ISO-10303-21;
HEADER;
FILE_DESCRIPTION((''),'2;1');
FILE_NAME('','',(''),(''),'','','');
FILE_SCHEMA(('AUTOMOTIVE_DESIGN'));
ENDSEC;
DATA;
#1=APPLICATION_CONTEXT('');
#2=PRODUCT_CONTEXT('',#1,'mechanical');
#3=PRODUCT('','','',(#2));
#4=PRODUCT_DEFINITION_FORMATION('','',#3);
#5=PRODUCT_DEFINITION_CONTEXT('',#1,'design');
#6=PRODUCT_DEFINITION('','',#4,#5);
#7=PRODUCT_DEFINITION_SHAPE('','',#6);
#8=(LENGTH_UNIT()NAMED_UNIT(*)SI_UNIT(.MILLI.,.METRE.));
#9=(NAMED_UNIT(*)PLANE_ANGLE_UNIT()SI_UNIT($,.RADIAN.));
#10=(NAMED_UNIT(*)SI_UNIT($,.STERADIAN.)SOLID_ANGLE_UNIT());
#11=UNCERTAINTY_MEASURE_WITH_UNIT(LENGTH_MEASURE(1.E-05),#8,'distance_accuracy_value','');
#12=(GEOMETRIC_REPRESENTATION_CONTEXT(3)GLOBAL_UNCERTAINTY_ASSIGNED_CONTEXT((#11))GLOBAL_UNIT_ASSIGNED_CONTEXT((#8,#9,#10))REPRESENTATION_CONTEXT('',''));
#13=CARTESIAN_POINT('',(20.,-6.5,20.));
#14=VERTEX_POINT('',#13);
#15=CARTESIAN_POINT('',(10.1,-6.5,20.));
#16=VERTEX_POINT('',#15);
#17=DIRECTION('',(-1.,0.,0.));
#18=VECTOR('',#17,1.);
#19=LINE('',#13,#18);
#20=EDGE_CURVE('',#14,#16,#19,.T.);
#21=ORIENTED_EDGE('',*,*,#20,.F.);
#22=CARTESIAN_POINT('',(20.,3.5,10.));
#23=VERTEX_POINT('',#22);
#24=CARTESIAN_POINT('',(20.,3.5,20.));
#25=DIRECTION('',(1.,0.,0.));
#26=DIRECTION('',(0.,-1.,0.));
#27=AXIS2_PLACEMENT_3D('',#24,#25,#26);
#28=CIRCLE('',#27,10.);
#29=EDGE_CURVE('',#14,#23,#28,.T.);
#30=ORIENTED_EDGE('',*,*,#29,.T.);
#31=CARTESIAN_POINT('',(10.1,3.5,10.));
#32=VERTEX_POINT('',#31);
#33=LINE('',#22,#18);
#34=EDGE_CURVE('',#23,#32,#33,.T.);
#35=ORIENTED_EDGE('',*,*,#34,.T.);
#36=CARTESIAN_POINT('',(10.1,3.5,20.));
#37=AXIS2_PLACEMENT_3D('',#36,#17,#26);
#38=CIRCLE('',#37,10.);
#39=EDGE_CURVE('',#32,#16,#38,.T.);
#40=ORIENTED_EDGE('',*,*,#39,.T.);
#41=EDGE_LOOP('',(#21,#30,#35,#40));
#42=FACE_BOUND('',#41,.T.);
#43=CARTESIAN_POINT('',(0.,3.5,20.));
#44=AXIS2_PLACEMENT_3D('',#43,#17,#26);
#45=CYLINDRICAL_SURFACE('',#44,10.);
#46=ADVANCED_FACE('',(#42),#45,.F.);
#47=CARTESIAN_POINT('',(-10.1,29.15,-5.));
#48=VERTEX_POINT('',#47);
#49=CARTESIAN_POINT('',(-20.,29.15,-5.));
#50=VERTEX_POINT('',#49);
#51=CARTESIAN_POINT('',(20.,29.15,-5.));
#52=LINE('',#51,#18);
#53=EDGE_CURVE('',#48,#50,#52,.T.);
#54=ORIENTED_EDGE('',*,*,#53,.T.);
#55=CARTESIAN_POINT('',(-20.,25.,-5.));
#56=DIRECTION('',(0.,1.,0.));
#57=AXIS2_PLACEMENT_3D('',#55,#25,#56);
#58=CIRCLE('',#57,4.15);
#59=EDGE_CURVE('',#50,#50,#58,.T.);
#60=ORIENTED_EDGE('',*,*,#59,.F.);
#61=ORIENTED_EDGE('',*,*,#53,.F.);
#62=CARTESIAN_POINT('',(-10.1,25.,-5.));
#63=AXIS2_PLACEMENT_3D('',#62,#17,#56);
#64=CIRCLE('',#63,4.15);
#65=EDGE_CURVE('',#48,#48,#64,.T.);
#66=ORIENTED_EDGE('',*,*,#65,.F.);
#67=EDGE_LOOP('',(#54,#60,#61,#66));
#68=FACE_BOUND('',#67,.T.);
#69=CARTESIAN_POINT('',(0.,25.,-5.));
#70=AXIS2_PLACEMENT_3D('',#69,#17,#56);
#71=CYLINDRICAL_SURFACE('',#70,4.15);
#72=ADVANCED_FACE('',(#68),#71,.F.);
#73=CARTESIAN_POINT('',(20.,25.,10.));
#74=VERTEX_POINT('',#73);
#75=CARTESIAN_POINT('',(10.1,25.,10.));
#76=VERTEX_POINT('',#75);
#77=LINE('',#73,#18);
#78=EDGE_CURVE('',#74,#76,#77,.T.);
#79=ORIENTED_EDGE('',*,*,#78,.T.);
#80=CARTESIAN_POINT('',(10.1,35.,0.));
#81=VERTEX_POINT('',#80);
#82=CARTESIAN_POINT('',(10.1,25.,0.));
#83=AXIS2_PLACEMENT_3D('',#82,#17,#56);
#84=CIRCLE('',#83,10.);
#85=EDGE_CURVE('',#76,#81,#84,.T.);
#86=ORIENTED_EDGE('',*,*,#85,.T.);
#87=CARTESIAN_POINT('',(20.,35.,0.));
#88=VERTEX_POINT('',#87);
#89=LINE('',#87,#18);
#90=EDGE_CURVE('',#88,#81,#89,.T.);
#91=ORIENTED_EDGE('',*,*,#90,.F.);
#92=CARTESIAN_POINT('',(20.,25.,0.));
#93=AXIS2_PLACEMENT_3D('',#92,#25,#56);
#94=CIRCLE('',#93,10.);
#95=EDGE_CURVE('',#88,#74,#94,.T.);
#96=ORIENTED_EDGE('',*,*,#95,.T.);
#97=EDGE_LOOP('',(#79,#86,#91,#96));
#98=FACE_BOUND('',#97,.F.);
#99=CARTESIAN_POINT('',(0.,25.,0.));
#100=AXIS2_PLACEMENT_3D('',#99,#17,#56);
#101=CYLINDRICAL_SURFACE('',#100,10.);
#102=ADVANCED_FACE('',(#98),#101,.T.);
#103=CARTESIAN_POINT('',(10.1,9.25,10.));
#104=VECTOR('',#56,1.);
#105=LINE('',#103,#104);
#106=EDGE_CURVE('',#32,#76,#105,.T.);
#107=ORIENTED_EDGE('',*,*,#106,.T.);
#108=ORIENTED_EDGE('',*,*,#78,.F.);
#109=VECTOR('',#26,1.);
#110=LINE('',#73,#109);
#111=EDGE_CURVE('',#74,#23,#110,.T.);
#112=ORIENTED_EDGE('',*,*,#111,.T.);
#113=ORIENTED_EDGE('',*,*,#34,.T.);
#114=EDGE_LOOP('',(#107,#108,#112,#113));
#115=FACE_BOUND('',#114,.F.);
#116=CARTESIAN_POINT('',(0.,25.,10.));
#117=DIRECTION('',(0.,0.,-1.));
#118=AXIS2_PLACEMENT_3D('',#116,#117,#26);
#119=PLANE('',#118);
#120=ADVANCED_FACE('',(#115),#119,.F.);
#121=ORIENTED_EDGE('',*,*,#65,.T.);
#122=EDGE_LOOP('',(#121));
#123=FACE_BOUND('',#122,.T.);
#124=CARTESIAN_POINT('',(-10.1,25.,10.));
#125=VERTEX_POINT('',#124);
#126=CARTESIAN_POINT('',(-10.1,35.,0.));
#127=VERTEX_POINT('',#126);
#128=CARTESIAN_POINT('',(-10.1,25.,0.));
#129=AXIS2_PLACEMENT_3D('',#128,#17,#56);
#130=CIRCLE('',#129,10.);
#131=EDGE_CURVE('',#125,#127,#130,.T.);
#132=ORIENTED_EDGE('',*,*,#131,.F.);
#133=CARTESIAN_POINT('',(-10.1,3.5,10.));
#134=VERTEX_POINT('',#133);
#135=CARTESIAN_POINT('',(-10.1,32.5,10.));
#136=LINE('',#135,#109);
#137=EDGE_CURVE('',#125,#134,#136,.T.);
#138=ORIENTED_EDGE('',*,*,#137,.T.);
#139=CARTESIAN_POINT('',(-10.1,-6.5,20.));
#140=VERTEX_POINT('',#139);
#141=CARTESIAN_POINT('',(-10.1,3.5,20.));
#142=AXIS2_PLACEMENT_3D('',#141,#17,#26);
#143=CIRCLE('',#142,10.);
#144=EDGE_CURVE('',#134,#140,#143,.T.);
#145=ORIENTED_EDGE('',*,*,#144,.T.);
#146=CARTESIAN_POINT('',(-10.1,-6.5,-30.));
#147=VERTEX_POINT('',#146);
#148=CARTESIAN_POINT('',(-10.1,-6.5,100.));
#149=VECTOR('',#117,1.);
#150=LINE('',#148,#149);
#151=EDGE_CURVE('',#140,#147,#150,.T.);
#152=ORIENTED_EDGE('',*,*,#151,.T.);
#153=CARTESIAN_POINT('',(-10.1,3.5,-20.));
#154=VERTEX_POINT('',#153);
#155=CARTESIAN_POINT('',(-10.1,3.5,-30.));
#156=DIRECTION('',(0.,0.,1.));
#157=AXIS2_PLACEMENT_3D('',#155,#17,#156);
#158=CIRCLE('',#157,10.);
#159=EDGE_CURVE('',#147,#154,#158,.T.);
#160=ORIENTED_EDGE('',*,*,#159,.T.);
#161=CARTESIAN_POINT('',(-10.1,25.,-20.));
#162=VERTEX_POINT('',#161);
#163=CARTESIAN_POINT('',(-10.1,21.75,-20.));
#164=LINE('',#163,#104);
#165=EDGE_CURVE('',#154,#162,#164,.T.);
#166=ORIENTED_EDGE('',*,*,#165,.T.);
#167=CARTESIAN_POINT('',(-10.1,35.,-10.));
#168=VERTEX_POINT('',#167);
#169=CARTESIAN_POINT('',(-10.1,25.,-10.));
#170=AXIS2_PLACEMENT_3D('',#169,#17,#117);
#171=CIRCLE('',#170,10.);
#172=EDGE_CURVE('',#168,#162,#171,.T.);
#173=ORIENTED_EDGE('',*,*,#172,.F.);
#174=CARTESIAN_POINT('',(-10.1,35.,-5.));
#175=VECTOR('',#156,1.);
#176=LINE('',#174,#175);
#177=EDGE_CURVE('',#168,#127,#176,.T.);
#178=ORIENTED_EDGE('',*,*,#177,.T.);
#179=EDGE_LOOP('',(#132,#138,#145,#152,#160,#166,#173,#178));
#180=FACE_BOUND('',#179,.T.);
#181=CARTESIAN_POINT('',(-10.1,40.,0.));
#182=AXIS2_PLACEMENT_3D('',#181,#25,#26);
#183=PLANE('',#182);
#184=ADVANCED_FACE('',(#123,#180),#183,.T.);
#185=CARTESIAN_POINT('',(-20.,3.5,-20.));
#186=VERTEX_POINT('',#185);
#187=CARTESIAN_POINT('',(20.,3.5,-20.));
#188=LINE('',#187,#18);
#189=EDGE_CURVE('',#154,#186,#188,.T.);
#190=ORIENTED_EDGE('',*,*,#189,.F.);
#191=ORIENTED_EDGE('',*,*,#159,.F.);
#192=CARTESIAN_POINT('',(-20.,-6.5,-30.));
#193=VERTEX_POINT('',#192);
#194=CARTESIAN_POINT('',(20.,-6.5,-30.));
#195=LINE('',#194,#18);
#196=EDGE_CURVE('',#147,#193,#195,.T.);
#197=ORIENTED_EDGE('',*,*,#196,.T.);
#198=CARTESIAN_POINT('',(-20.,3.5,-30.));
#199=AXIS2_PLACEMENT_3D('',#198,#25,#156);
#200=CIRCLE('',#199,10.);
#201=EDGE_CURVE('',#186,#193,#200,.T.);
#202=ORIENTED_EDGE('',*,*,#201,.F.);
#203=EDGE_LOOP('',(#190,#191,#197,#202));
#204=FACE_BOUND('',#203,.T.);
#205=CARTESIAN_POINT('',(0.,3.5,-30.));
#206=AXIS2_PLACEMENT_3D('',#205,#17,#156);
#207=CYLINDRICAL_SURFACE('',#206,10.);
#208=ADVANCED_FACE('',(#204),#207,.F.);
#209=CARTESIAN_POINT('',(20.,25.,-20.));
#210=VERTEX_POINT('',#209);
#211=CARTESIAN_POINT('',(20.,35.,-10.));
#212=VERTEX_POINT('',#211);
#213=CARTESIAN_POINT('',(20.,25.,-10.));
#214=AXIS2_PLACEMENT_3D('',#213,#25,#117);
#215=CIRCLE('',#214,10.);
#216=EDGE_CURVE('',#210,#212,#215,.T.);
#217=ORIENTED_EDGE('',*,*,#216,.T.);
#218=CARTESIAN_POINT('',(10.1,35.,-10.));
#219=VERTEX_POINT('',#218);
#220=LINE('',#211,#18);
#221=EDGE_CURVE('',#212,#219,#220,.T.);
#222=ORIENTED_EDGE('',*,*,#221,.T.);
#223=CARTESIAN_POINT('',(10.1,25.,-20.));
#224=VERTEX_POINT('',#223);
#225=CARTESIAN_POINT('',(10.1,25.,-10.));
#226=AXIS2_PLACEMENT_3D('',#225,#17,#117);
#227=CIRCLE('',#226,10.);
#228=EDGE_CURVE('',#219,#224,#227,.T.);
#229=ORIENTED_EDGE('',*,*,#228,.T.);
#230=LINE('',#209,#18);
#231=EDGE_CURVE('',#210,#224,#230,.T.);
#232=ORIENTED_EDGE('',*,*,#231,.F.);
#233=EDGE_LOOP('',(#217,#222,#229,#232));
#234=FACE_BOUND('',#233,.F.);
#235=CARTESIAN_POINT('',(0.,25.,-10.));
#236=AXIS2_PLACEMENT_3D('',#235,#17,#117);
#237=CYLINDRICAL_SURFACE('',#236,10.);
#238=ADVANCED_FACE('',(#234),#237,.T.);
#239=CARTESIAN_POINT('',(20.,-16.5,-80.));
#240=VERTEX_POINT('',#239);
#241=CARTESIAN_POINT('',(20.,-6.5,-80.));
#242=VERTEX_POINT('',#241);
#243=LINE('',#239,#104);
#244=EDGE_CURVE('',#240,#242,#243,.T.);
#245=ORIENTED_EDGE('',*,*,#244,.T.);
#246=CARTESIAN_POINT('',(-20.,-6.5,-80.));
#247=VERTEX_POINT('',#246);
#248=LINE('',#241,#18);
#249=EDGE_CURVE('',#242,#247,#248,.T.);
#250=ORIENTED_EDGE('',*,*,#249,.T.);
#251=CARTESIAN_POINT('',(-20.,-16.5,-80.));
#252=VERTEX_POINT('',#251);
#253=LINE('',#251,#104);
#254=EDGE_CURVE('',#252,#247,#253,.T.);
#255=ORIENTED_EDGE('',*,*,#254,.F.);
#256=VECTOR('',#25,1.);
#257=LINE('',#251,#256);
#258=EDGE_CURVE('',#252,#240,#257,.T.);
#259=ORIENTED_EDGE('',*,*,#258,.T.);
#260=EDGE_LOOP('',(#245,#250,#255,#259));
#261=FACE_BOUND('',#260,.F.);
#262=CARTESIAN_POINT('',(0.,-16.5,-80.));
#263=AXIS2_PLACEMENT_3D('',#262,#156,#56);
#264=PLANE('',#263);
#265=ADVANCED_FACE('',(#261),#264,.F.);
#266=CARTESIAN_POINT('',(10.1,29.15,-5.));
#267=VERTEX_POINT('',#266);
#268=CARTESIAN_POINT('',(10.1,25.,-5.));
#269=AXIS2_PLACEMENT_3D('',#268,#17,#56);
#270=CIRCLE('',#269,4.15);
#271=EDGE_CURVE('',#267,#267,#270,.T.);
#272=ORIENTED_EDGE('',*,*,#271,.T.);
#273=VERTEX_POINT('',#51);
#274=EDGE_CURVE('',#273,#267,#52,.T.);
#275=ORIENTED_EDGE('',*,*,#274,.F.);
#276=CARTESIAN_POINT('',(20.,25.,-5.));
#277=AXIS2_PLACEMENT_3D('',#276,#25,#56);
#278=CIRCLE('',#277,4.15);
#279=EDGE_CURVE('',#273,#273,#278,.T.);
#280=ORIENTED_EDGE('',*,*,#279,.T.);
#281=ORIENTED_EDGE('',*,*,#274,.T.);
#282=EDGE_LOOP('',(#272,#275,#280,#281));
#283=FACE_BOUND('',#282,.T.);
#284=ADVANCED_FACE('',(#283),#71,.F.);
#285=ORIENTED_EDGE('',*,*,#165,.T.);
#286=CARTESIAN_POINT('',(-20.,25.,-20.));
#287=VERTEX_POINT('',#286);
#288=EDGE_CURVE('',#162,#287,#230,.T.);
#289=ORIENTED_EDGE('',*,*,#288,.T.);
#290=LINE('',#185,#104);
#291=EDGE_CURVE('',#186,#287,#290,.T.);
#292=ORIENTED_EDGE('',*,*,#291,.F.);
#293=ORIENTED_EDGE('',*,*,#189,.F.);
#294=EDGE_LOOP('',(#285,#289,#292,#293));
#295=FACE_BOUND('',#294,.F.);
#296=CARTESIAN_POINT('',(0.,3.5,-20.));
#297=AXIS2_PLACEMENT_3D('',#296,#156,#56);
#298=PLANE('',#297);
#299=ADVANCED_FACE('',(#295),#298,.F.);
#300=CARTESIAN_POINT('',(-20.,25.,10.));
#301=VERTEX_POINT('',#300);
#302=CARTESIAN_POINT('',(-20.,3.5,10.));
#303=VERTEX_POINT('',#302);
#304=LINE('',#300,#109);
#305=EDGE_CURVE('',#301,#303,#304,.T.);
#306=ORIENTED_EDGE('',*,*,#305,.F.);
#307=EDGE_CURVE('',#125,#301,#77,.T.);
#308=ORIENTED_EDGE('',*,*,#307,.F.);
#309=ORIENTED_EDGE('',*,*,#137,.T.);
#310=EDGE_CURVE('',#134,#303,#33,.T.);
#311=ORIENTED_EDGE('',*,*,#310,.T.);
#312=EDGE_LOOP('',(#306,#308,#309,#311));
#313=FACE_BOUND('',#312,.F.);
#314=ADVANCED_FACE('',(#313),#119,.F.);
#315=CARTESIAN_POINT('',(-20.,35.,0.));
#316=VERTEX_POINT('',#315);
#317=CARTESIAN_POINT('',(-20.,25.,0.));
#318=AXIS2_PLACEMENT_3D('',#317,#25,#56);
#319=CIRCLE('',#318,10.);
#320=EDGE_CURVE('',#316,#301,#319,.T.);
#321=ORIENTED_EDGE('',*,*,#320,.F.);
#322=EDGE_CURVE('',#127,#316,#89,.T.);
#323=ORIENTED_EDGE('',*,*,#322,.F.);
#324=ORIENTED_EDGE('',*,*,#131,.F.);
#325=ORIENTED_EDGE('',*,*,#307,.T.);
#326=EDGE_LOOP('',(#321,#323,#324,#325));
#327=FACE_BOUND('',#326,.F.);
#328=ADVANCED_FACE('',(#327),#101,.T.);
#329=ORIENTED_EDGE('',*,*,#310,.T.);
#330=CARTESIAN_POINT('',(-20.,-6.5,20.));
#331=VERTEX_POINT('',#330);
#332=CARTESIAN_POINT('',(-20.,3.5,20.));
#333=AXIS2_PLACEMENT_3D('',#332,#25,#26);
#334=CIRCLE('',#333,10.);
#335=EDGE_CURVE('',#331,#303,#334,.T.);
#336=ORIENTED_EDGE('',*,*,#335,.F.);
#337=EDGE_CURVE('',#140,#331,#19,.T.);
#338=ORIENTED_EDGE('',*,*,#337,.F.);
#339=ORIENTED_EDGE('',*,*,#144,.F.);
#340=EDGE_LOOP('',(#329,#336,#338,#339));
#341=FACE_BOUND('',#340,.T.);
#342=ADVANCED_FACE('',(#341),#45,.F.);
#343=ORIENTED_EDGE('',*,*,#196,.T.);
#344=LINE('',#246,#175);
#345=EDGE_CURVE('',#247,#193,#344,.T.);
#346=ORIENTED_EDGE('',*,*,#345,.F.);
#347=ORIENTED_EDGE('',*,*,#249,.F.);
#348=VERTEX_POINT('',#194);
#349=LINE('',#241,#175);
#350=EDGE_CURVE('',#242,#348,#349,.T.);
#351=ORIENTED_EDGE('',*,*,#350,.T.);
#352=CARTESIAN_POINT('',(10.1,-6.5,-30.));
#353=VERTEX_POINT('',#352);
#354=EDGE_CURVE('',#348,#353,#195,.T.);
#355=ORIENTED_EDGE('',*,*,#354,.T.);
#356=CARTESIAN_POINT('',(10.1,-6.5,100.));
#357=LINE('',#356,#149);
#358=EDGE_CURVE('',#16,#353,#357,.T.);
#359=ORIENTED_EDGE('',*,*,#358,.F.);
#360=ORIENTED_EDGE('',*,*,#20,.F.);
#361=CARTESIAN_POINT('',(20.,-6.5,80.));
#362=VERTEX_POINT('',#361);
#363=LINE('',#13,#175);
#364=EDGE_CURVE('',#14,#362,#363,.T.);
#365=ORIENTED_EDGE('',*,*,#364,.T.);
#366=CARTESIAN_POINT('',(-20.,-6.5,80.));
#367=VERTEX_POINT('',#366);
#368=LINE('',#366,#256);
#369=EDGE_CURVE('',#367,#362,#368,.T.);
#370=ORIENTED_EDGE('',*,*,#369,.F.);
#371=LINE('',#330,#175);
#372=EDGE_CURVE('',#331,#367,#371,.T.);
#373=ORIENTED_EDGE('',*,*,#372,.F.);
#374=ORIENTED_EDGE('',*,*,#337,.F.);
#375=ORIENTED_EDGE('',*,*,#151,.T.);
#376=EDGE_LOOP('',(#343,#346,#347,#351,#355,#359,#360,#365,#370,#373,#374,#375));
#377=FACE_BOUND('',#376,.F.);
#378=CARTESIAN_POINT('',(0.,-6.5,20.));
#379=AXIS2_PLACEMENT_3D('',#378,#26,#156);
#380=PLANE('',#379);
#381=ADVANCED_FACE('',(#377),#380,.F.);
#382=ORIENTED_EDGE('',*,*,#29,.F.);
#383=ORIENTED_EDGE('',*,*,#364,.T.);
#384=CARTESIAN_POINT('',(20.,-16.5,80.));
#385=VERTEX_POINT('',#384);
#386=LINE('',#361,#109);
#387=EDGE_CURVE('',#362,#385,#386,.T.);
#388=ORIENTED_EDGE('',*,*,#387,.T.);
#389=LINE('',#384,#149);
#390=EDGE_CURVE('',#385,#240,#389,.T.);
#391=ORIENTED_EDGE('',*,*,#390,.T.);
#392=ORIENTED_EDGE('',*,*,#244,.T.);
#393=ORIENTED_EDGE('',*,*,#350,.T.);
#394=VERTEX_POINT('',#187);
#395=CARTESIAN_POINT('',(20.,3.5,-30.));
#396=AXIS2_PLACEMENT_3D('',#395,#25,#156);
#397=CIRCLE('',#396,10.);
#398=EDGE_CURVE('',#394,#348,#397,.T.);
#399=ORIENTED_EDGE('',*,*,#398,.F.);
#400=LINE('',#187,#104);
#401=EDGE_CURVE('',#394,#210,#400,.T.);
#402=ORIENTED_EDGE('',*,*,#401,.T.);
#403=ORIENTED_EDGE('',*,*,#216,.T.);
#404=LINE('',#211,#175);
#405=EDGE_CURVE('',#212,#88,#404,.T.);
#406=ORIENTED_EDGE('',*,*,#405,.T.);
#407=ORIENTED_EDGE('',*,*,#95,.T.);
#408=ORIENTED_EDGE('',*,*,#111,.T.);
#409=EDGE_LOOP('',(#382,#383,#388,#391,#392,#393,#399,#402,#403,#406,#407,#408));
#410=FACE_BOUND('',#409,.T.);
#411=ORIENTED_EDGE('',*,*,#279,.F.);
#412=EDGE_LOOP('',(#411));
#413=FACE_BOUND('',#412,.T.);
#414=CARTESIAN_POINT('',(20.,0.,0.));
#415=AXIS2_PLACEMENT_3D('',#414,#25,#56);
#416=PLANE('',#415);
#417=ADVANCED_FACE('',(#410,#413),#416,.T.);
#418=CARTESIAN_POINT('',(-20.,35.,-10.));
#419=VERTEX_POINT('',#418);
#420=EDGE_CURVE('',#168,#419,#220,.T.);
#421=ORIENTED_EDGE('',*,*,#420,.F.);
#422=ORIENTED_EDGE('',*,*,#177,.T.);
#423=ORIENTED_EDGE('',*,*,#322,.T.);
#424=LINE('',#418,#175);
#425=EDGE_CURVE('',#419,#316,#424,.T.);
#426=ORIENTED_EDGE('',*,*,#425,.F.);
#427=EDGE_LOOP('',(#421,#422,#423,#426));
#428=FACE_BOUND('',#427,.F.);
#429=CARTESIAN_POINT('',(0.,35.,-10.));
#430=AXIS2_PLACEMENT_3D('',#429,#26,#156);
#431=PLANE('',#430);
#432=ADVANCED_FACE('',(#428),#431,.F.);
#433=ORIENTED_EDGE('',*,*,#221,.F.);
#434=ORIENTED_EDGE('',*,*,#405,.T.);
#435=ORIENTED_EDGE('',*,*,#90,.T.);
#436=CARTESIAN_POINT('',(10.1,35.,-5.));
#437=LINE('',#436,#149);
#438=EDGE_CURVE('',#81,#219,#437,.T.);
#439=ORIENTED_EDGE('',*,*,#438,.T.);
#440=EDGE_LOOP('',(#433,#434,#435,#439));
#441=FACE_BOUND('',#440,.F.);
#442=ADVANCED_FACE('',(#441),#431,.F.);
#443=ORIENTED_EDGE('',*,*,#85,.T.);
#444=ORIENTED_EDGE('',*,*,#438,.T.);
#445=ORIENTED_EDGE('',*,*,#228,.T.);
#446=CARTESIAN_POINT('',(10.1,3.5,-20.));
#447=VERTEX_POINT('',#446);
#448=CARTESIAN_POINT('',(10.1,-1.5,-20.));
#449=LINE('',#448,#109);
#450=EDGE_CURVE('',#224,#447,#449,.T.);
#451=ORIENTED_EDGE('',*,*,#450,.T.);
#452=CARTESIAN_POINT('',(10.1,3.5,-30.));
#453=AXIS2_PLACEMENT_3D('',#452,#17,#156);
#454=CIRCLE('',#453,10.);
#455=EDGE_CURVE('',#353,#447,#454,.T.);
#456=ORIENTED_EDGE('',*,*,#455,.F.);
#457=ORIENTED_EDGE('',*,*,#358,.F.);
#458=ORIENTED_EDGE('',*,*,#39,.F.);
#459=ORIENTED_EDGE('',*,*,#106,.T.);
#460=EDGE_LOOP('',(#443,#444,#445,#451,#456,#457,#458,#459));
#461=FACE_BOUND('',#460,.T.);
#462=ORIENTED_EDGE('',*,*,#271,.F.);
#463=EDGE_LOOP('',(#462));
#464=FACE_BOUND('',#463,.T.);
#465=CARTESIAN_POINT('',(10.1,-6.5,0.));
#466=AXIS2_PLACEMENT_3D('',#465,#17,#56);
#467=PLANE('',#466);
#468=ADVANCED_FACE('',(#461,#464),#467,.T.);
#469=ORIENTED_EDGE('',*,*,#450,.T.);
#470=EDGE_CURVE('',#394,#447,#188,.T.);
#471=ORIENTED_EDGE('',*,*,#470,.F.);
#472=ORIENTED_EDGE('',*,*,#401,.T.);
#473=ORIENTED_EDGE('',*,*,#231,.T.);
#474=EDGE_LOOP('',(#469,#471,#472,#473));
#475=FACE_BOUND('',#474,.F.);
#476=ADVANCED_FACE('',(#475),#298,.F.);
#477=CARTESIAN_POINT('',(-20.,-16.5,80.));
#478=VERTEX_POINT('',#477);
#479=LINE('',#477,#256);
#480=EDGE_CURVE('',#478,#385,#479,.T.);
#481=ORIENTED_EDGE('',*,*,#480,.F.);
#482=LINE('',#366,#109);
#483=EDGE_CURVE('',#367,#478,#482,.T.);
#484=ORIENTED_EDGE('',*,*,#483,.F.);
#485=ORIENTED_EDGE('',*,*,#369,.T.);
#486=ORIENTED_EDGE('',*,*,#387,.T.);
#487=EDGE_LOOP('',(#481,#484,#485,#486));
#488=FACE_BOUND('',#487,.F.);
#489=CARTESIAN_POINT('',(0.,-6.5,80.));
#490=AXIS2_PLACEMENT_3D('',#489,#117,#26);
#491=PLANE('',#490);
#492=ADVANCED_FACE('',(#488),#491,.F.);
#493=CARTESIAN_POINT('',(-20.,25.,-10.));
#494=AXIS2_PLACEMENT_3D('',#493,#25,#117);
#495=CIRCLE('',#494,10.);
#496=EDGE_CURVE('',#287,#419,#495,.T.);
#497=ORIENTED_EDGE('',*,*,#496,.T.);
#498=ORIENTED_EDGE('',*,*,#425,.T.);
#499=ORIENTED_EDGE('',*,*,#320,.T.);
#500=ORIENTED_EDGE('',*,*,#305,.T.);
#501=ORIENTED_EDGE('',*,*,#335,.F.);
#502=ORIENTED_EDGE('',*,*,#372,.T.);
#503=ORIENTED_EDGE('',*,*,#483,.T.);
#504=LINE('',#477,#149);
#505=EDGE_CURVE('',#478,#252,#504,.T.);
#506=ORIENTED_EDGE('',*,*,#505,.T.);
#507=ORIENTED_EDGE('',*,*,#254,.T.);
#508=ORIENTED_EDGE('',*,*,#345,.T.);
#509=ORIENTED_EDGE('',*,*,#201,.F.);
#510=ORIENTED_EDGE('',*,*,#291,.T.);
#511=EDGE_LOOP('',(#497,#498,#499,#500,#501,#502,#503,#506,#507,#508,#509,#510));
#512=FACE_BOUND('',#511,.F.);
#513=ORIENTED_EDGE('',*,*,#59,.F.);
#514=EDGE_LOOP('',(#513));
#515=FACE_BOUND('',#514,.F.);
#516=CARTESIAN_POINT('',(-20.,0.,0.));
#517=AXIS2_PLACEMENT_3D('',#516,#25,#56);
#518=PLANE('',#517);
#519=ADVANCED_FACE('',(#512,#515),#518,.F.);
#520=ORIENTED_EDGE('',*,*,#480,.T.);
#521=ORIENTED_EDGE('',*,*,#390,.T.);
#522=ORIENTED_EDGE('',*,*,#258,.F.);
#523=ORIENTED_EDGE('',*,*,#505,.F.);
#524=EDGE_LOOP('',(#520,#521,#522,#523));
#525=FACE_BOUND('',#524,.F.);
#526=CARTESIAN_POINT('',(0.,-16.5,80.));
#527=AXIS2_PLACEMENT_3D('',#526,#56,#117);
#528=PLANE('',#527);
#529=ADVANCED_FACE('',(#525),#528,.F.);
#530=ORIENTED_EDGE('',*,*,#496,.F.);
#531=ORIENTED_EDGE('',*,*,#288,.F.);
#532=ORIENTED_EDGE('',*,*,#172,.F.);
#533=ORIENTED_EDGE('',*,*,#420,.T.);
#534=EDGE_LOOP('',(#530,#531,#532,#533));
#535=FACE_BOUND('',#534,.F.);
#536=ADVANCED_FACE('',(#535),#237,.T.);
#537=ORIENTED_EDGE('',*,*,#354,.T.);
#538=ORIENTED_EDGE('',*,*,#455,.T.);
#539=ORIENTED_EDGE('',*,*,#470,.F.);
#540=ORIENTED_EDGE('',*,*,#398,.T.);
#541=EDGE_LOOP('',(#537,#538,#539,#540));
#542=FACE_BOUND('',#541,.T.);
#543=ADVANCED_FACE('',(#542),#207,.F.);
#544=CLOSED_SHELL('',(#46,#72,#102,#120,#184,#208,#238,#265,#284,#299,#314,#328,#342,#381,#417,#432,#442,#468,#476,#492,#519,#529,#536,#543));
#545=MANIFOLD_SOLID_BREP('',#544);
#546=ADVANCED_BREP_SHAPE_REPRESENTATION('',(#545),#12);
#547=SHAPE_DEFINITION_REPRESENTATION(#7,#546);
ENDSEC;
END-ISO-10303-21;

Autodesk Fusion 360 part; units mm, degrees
sketch "Skizze8" plane through (0, 0, 0) normal (1, 0, 0) x (0, 1, 0)
  line L0 (-6.5, 80) -> (-16.5, 80)
  line L1 (-16.5, 80) -> (-16.5, -80)
  line L2 (-16.5, -80) -> (-6.5, -80)
  line L3 (-6.5, -80) -> (-6.5, -30)
  line L4 (3.5, -20) -> (25, -20)
  line L5 (35, -10) -> (35, 0)
  line L6 (25, 10) -> (3.5, 10)
  line L7 (105.6778, -5) -> (-37.6639, -5) construction
  line L8 (25, 49.113) -> (25, -113.6091) construction
  line L9 (-6.5, 20) -> (-6.5, 80)
  arc A0 (-6.5, 20) -> (3.5, 10) centre (3.5, 20) ccw
  arc A1 (3.5, -20) -> (-6.5, -30) centre (3.5, -30) ccw
  arc A2 (35, 0) -> (25, 10) centre (25, 0) ccw
  arc A3 (25, -20) -> (35, -10) centre (25, -10) ccw
  circle A4 centre (25, -5) radius 4.15
  point P0 (-6.5, 10)
  dimension "d127" = 80
  dimension "d128" = 80
  dimension "d129" = 5
  dimension "d130" = 31.5
  dimension "d131" = 25
  dimension "d132" = 10
  dimension "d133" = 10
  dimension "d134" = 15
  dimension "d135" = 15
  dimension "d136" = 10
  dimension "d137" = 10
  dimension "d138" = 10
  dimension "d139" = 10
  dimension "d140" = 10
  dimension "d141" = 10
  dimension "d142" = 8.3
extrude "Extrusion8" add sketch "Skizze8" along normal mid plane 40
sketch "Skizze9" plane through (0, 0, 0) normal (0, 0, 1) x (1, 0, 0)
  line L0 (10.1, 40) -> (-10.1, 40)
  line L1 (-10.1, 40) -> (-10.1, -6.5)
  line L2 (-10.1, -6.5) -> (10.1, -6.5)
  line L3 (10.1, -6.5) -> (10.1, 40)
  dimension "d145" = 6.5
  dimension "d146" = 40
  dimension "d147" = 10.1
  dimension "d148" = 10.1
extrude "Extrusion9" cut sketch "Skizze9" along normal mid plane 200
